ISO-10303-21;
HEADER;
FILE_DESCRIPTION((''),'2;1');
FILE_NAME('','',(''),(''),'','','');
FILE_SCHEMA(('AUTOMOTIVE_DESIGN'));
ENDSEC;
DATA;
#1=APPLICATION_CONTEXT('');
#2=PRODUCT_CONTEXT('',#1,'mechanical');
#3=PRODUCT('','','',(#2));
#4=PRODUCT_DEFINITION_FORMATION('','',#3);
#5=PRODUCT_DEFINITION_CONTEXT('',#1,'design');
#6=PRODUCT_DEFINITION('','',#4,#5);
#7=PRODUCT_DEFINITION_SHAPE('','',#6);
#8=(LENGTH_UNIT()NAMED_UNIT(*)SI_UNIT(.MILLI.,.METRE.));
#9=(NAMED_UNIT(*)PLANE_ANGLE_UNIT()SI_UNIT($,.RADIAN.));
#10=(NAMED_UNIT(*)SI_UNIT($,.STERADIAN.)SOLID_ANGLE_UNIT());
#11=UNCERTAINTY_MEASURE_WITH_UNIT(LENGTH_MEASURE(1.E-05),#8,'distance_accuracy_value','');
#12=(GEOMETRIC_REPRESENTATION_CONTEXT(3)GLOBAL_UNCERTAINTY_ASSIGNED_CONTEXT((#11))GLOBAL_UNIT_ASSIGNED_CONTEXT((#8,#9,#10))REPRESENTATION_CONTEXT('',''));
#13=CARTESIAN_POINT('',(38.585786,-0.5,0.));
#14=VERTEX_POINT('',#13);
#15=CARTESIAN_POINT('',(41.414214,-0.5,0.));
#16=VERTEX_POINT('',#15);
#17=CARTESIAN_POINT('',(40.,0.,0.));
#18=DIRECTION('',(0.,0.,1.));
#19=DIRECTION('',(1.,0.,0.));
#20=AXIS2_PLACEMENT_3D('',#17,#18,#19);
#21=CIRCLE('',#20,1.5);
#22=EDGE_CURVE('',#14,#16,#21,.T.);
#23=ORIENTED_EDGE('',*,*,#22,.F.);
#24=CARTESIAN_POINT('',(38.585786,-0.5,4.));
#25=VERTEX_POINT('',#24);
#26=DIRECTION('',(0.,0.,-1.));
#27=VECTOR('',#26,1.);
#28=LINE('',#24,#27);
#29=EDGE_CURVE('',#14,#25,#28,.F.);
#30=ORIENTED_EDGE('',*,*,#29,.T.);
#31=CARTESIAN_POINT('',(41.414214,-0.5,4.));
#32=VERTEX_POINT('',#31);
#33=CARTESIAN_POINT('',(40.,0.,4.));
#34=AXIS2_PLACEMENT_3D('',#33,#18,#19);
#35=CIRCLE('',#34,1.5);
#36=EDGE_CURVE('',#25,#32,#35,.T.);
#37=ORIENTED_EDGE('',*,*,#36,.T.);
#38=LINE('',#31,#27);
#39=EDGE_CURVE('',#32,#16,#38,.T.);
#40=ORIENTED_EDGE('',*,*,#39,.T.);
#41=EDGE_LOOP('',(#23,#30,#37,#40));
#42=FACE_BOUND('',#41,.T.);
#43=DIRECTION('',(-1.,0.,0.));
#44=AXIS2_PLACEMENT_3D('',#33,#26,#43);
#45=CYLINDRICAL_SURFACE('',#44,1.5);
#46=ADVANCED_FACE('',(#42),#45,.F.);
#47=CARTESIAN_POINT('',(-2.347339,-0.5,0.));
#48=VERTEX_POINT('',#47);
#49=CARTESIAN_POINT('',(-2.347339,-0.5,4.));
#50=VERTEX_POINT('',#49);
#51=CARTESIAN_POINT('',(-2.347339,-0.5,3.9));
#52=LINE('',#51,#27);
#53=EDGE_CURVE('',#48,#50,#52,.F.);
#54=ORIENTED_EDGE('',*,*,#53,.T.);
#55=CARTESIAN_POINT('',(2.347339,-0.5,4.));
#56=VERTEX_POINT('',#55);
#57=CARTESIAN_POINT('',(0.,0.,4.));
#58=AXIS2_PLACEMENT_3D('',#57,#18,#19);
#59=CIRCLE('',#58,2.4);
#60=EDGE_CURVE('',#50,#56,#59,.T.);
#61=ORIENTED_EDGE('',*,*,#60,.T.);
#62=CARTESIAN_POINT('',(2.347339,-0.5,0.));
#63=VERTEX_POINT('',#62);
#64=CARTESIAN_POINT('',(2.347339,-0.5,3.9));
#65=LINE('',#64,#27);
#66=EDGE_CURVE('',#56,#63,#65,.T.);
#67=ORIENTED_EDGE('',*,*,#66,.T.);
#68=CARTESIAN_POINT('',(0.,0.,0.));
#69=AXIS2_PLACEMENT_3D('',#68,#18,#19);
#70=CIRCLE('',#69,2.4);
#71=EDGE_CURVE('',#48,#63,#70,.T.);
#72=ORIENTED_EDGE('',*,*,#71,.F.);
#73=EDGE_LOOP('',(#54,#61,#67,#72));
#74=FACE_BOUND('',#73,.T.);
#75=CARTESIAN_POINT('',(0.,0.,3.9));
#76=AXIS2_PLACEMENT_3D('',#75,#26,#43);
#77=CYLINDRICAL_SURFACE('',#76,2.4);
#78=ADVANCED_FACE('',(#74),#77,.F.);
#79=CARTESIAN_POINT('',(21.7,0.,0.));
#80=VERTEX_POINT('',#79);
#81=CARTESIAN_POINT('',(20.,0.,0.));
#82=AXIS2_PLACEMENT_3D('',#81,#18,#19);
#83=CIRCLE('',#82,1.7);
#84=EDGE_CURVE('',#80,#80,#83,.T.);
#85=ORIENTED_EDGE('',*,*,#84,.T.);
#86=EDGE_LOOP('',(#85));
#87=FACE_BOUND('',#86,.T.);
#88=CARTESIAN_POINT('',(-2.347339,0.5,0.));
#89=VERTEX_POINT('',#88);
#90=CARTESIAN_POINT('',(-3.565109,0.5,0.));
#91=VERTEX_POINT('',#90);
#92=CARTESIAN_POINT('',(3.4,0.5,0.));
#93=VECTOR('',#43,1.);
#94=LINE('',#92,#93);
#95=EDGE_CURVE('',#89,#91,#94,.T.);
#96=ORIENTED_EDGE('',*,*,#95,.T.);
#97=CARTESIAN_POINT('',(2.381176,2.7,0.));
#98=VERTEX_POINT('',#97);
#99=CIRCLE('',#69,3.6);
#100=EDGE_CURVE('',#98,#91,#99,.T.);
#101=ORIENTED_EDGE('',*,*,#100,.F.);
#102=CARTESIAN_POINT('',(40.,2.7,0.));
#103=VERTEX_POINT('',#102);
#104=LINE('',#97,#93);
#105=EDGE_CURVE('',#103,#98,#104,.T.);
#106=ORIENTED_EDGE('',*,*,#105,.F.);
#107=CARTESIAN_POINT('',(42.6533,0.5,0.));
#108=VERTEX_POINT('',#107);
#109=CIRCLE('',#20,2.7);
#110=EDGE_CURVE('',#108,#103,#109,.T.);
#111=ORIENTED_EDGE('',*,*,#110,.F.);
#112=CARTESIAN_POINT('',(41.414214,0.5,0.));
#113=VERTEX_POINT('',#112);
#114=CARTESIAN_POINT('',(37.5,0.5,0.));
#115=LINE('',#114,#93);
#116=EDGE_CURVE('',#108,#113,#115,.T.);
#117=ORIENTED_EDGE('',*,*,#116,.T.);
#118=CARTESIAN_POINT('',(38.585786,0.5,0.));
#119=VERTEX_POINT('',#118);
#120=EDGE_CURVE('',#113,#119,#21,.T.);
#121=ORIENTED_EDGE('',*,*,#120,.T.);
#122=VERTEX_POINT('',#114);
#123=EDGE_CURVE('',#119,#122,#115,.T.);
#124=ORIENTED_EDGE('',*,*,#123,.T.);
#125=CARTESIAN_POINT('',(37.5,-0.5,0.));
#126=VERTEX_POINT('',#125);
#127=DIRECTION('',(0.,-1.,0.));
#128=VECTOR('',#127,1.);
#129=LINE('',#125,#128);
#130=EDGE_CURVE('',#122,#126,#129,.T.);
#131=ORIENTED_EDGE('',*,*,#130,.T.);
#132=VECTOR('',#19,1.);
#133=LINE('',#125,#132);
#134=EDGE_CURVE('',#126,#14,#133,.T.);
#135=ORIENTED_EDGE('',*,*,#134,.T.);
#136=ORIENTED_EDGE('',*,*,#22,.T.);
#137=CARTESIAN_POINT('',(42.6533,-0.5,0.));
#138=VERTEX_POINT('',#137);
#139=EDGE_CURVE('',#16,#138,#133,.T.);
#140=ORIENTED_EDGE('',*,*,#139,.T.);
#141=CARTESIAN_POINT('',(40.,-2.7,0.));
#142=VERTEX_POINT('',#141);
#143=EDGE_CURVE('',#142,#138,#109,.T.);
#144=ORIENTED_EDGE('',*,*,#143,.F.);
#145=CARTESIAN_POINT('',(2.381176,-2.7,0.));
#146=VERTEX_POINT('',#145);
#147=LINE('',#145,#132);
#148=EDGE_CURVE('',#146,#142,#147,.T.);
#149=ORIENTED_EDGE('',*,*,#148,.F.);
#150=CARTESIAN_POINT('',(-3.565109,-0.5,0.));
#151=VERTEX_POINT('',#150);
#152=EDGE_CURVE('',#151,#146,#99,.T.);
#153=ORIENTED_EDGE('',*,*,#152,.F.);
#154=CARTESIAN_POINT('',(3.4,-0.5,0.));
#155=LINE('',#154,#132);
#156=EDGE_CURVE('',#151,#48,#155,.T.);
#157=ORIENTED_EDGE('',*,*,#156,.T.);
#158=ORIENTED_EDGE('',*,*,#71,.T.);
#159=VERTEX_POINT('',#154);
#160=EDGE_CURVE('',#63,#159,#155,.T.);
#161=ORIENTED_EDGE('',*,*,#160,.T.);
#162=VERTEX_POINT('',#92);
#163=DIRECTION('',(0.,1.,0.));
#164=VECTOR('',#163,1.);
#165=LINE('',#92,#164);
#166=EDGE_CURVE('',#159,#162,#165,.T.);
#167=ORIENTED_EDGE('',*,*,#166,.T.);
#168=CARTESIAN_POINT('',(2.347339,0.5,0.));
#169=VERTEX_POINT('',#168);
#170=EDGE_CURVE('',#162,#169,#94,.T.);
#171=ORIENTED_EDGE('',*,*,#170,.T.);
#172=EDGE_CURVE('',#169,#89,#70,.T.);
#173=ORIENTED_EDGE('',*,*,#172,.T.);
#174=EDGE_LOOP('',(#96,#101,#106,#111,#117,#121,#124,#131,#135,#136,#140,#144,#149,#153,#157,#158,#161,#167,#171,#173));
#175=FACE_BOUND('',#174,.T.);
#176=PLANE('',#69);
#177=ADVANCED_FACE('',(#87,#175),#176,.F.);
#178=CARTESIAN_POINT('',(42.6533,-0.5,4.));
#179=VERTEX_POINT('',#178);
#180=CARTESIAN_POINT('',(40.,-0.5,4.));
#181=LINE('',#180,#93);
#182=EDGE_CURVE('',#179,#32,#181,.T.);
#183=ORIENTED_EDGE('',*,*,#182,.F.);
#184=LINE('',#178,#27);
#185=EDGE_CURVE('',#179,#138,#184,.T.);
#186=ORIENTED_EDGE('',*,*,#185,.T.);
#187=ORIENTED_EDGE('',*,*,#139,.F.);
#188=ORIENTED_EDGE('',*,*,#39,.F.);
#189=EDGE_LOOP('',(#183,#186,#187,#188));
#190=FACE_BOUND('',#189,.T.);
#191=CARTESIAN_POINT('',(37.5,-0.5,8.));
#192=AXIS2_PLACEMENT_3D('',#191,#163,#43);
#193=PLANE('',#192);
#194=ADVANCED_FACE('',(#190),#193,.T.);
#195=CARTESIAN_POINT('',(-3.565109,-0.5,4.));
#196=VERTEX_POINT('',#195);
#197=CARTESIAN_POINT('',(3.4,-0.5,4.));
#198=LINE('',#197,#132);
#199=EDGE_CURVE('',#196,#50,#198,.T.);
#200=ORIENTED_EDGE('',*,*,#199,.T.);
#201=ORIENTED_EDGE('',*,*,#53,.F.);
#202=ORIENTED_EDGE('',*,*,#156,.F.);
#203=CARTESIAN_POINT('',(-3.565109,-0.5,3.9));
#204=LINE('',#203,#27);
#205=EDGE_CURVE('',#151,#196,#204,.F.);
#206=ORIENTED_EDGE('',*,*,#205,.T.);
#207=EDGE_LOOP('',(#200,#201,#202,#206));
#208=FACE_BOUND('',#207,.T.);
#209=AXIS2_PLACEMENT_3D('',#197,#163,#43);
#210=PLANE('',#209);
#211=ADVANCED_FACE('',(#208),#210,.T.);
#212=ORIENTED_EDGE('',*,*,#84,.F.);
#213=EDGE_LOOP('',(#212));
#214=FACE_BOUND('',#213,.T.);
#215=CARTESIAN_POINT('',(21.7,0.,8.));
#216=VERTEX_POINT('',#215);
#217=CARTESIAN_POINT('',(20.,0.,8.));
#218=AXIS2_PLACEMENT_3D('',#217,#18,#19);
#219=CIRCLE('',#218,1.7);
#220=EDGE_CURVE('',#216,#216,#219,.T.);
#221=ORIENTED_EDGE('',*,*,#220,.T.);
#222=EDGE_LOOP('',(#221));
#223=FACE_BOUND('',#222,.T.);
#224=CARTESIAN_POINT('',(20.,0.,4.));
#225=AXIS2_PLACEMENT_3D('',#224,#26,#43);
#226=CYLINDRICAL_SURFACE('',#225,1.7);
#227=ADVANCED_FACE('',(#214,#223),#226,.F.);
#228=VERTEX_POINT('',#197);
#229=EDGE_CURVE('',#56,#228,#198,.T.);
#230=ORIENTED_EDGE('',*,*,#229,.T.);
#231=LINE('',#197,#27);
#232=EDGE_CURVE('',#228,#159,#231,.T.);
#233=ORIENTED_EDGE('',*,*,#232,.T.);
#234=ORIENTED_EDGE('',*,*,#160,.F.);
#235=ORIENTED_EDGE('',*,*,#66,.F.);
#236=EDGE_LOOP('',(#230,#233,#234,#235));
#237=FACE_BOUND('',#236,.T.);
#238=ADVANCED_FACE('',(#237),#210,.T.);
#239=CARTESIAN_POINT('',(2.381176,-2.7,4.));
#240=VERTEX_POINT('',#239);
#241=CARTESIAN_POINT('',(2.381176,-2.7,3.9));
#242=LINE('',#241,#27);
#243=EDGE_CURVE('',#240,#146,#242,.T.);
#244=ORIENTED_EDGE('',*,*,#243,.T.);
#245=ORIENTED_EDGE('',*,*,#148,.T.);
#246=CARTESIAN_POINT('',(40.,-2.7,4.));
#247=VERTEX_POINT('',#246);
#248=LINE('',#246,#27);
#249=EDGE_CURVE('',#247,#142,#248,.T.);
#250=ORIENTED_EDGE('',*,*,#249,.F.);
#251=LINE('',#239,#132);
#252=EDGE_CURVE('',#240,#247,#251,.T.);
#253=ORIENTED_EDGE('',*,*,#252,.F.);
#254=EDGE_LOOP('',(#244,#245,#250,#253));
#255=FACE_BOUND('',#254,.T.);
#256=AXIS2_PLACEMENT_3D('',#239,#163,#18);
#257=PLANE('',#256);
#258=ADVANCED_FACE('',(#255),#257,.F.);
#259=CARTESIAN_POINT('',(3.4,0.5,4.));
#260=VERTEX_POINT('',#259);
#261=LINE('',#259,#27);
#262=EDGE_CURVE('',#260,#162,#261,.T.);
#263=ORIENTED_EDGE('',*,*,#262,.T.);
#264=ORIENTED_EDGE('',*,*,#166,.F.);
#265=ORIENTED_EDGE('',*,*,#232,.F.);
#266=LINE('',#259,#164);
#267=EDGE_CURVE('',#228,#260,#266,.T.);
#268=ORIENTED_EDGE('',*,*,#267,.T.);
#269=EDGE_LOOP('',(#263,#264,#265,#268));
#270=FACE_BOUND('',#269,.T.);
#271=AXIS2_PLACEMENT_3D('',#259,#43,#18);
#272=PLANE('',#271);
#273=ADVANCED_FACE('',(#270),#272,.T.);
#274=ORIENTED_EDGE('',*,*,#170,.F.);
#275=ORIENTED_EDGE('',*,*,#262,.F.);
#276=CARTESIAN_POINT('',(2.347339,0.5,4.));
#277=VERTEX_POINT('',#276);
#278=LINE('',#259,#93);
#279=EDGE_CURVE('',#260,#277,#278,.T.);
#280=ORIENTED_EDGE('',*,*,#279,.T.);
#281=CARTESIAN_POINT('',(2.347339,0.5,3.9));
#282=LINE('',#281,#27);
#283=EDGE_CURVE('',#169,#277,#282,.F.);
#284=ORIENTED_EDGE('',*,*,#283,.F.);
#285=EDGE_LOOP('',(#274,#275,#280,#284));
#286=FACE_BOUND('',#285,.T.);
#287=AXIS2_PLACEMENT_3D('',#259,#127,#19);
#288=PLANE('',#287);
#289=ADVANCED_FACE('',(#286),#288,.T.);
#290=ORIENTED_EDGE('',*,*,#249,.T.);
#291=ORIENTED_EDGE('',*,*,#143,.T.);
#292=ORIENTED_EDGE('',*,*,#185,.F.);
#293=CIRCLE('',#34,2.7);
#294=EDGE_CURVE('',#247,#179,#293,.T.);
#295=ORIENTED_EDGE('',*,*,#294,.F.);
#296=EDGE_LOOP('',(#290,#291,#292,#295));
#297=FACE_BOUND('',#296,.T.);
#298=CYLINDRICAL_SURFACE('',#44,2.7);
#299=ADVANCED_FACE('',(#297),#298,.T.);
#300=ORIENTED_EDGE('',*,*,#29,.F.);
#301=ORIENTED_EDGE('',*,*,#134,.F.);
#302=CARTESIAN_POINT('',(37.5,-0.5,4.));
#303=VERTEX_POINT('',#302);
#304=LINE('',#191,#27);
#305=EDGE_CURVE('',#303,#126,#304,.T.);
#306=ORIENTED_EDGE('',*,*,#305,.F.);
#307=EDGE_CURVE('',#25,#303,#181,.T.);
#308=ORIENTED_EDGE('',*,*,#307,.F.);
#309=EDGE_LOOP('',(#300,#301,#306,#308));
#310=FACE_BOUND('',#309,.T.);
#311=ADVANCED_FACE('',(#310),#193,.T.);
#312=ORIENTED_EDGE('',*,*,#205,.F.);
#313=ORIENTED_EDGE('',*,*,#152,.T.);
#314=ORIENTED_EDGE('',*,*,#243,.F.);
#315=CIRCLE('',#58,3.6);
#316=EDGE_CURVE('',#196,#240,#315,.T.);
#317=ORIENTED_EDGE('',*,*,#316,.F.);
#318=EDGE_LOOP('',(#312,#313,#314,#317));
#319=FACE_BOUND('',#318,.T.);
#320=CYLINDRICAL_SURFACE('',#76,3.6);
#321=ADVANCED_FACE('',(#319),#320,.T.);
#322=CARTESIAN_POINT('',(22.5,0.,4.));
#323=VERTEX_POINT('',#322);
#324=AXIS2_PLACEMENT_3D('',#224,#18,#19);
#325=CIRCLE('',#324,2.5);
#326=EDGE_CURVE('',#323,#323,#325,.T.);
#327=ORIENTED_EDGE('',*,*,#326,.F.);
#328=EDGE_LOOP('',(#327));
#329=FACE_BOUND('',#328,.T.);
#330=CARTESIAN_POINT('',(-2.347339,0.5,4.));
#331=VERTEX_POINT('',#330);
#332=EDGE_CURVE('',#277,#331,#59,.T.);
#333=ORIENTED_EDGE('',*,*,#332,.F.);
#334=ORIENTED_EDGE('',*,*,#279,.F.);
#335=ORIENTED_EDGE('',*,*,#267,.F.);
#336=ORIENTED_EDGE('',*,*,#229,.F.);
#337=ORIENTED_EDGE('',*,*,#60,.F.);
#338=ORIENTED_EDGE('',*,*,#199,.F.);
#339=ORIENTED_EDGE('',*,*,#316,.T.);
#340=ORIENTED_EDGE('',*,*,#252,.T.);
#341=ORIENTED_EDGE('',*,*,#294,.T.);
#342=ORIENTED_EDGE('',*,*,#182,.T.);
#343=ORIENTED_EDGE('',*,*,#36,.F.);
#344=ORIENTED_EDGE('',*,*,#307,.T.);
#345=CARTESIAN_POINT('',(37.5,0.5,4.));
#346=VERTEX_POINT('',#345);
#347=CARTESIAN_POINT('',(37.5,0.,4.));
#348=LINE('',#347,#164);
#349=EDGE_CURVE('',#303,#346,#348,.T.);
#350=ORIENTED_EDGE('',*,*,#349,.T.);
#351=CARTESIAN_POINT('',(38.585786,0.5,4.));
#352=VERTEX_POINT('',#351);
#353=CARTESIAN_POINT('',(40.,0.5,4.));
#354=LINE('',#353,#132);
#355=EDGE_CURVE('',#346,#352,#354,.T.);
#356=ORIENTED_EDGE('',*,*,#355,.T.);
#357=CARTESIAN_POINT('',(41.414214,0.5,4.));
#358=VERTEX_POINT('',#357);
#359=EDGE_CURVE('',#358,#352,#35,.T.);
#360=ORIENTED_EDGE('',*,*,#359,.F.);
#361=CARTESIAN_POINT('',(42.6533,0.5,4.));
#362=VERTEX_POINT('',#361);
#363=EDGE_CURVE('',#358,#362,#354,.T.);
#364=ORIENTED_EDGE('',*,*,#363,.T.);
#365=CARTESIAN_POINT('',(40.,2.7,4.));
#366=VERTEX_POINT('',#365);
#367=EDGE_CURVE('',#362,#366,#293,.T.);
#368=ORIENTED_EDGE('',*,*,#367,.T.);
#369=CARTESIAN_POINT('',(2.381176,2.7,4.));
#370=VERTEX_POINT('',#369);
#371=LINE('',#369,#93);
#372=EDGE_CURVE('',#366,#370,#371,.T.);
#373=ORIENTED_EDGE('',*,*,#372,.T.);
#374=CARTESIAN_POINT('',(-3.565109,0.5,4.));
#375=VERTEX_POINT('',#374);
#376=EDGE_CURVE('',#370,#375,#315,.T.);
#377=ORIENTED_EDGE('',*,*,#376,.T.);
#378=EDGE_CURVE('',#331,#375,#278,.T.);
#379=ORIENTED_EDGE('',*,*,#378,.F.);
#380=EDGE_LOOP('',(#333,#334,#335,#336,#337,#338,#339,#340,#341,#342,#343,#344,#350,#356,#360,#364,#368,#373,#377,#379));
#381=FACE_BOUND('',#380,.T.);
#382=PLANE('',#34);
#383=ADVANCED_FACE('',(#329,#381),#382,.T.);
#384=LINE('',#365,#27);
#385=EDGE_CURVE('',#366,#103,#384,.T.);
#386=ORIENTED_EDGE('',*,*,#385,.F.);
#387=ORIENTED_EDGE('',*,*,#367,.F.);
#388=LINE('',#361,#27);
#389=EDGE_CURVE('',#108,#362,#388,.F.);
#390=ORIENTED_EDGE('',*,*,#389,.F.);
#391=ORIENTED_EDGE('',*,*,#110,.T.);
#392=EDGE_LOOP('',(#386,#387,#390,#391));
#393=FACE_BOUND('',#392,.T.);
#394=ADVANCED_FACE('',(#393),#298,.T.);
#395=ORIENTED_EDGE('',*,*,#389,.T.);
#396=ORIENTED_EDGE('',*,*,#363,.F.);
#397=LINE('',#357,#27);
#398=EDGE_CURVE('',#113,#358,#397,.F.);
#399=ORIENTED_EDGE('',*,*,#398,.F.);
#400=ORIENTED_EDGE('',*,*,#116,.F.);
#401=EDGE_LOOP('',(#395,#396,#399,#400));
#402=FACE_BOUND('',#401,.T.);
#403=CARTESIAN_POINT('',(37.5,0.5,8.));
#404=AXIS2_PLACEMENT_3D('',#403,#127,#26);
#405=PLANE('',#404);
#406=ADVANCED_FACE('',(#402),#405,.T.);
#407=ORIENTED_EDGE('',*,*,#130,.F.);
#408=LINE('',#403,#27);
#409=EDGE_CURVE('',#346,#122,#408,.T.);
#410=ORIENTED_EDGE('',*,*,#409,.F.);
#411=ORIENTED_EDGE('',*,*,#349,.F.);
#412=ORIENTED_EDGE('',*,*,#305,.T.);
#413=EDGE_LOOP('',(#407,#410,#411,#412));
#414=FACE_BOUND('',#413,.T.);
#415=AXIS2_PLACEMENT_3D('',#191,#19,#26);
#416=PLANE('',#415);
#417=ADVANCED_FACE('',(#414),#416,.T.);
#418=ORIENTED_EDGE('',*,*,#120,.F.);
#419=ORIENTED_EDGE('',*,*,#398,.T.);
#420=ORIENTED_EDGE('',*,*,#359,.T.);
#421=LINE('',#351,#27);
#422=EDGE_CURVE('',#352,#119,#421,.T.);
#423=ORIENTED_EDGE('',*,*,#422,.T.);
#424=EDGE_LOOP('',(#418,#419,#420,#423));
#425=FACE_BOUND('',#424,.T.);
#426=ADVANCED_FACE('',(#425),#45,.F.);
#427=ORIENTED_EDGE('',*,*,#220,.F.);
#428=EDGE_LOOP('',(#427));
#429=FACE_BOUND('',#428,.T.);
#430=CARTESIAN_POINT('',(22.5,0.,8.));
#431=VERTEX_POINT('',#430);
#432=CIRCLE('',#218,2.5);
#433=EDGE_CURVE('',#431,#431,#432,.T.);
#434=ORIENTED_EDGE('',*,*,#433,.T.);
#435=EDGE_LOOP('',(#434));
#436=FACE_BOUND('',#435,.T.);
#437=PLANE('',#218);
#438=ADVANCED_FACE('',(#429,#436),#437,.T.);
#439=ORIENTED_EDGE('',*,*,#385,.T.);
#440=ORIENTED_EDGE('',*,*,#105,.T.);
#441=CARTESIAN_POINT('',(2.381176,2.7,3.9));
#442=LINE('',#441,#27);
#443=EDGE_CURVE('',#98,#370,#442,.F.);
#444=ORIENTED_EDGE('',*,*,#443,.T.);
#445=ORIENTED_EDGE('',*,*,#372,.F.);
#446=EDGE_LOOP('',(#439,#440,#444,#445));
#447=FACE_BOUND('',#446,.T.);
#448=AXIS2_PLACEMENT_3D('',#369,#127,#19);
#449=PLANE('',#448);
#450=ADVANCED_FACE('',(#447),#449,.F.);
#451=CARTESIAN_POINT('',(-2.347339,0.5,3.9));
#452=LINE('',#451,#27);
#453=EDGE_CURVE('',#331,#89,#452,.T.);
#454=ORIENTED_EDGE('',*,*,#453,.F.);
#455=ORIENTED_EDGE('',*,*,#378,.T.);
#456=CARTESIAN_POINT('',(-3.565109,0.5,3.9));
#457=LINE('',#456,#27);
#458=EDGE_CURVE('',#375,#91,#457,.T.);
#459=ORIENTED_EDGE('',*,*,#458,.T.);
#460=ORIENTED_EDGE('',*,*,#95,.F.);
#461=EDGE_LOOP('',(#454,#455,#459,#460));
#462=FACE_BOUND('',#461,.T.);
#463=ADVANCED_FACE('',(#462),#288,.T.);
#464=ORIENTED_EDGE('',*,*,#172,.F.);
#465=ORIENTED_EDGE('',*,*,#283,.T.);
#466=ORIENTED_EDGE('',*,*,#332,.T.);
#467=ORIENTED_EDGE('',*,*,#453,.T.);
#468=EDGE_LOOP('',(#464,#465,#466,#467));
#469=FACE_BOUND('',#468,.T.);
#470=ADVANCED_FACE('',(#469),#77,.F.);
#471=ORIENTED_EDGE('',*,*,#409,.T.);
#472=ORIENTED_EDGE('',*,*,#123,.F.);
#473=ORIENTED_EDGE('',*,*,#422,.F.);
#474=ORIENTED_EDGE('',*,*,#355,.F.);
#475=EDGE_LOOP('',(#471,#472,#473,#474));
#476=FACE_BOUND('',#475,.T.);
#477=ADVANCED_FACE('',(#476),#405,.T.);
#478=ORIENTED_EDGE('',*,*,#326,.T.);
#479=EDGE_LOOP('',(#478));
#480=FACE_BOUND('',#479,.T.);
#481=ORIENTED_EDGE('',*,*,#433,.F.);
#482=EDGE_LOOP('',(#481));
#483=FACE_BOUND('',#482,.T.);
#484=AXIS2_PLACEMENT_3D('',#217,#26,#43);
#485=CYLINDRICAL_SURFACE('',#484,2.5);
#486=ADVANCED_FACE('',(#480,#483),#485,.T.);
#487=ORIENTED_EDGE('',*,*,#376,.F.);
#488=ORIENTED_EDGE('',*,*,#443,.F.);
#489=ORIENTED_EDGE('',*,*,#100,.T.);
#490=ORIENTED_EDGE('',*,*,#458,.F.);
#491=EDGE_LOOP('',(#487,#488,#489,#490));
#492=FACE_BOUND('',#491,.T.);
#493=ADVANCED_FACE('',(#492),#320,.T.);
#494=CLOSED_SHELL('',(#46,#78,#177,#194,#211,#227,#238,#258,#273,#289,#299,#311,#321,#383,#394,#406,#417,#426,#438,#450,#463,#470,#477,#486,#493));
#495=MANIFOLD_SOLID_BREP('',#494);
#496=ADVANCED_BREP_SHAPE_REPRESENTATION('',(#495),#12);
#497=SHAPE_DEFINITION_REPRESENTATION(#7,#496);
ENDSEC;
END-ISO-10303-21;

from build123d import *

# Parameters (mm, degrees)
ESQUISSE1_R                = 3.6
ESQUISSE1_R_2              = 2.4
CC_AXE_SERVO_DEPTH         = 3.9
ESQUISSE3_R                = 2.7
ESQUISSE3_R_2              = 1.5
CC_PIVOT_JAMBE_DEPTH       = 3.9
ESQUISSE4_R                = 2.4
ESQUISSE4_R_2              = 1.5
LIAISON_DEPTH              = 4
ESQUISSE9_W                = 7
ESQUISSE9_H                = 1
ELASTICITE_AXE_SERVO_DEPTH = 5
ESQUISSE7_R                = 1.7
PASSAGE_VIS_DEPTH          = 5
ESQUISSE8_R                = 2.5
ESQUISSE8_R_2              = 1.7
BUTEE_ASSEMBLAGE_DEPTH     = 4
ESQUISSE10_W               = 5.2
ESQUISSE10_H               = 1
ELASTICITE_DEPTH           = 9


with BuildPart() as part:
    # Esquisse1 → CC_AXE_SERVO (new body)
    with BuildSketch(Plane.XY):
        Circle(ESQUISSE1_R)
        Circle(ESQUISSE1_R_2, mode=Mode.SUBTRACT)
    extrude(amount=CC_AXE_SERVO_DEPTH)



with BuildPart() as body_2:
    # Esquisse3 → CC_PIVOT_JAMBE (new body)
    with BuildSketch(Plane.XY):
        with Locations((40, 0)):
            Circle(ESQUISSE3_R)
        with Locations((40, 0)):
            Circle(ESQUISSE3_R_2, mode=Mode.SUBTRACT)
    extrude(amount=CC_PIVOT_JAMBE_DEPTH)


with BuildPart() as part_1:
    add(part.part)

    add(body_2.part)  # LIAISON merges body 2
    # Esquisse4 → LIAISON (add)
    with BuildSketch(Plane.XY):
        with BuildLine():
            Line((2.38117618, 2.7), (40, 2.7))
            ThreePointArc((40, 2.7), (42.7, 0), (40, -2.7))
            Line((40, -2.7), (2.38117618, -2.7))
            ThreePointArc((2.38117618, -2.7), (-3.6, 0), (2.38117618, 2.7))
        make_face()
        Circle(ESQUISSE4_R, mode=Mode.SUBTRACT)
        with Locations((40, 0)):
            Circle(ESQUISSE4_R_2, mode=Mode.SUBTRACT)
    extrude(amount=LIAISON_DEPTH)

    # Esquisse9 → ELASTICITE_AXE_SERVO (cut, through all)
    with BuildSketch(Plane.XY):
        with Locations((-0.1, 0)):
            Rectangle(ESQUISSE9_W, ESQUISSE9_H)
    extrude(amount=ELASTICITE_AXE_SERVO_DEPTH, mode=Mode.SUBTRACT)

    # Esquisse7 → PASSAGE_VIS (cut, through all)
    with BuildSketch(Plane.XY):
        with Locations((20, 0)):
            Circle(ESQUISSE7_R)
    extrude(amount=PASSAGE_VIS_DEPTH, mode=Mode.SUBTRACT)

    # Esquisse8 → BUTEE_ASSEMBLAGE (add)
    with BuildSketch(Plane.XY.offset(4)):
        with Locations((20, 0)):
            Circle(ESQUISSE8_R)
        with Locations((20, 0)):
            Circle(ESQUISSE8_R_2, mode=Mode.SUBTRACT)
    extrude(amount=BUTEE_ASSEMBLAGE_DEPTH)

    # Esquisse10 → ELASTICITE (cut, through all)
    with BuildSketch(Plane.XY):
        with Locations((40.1, 0)):
            Rectangle(ESQUISSE10_W, ESQUISSE10_H)
    extrude(amount=ELASTICITE_DEPTH, mode=Mode.SUBTRACT)


solid = part_1.part
